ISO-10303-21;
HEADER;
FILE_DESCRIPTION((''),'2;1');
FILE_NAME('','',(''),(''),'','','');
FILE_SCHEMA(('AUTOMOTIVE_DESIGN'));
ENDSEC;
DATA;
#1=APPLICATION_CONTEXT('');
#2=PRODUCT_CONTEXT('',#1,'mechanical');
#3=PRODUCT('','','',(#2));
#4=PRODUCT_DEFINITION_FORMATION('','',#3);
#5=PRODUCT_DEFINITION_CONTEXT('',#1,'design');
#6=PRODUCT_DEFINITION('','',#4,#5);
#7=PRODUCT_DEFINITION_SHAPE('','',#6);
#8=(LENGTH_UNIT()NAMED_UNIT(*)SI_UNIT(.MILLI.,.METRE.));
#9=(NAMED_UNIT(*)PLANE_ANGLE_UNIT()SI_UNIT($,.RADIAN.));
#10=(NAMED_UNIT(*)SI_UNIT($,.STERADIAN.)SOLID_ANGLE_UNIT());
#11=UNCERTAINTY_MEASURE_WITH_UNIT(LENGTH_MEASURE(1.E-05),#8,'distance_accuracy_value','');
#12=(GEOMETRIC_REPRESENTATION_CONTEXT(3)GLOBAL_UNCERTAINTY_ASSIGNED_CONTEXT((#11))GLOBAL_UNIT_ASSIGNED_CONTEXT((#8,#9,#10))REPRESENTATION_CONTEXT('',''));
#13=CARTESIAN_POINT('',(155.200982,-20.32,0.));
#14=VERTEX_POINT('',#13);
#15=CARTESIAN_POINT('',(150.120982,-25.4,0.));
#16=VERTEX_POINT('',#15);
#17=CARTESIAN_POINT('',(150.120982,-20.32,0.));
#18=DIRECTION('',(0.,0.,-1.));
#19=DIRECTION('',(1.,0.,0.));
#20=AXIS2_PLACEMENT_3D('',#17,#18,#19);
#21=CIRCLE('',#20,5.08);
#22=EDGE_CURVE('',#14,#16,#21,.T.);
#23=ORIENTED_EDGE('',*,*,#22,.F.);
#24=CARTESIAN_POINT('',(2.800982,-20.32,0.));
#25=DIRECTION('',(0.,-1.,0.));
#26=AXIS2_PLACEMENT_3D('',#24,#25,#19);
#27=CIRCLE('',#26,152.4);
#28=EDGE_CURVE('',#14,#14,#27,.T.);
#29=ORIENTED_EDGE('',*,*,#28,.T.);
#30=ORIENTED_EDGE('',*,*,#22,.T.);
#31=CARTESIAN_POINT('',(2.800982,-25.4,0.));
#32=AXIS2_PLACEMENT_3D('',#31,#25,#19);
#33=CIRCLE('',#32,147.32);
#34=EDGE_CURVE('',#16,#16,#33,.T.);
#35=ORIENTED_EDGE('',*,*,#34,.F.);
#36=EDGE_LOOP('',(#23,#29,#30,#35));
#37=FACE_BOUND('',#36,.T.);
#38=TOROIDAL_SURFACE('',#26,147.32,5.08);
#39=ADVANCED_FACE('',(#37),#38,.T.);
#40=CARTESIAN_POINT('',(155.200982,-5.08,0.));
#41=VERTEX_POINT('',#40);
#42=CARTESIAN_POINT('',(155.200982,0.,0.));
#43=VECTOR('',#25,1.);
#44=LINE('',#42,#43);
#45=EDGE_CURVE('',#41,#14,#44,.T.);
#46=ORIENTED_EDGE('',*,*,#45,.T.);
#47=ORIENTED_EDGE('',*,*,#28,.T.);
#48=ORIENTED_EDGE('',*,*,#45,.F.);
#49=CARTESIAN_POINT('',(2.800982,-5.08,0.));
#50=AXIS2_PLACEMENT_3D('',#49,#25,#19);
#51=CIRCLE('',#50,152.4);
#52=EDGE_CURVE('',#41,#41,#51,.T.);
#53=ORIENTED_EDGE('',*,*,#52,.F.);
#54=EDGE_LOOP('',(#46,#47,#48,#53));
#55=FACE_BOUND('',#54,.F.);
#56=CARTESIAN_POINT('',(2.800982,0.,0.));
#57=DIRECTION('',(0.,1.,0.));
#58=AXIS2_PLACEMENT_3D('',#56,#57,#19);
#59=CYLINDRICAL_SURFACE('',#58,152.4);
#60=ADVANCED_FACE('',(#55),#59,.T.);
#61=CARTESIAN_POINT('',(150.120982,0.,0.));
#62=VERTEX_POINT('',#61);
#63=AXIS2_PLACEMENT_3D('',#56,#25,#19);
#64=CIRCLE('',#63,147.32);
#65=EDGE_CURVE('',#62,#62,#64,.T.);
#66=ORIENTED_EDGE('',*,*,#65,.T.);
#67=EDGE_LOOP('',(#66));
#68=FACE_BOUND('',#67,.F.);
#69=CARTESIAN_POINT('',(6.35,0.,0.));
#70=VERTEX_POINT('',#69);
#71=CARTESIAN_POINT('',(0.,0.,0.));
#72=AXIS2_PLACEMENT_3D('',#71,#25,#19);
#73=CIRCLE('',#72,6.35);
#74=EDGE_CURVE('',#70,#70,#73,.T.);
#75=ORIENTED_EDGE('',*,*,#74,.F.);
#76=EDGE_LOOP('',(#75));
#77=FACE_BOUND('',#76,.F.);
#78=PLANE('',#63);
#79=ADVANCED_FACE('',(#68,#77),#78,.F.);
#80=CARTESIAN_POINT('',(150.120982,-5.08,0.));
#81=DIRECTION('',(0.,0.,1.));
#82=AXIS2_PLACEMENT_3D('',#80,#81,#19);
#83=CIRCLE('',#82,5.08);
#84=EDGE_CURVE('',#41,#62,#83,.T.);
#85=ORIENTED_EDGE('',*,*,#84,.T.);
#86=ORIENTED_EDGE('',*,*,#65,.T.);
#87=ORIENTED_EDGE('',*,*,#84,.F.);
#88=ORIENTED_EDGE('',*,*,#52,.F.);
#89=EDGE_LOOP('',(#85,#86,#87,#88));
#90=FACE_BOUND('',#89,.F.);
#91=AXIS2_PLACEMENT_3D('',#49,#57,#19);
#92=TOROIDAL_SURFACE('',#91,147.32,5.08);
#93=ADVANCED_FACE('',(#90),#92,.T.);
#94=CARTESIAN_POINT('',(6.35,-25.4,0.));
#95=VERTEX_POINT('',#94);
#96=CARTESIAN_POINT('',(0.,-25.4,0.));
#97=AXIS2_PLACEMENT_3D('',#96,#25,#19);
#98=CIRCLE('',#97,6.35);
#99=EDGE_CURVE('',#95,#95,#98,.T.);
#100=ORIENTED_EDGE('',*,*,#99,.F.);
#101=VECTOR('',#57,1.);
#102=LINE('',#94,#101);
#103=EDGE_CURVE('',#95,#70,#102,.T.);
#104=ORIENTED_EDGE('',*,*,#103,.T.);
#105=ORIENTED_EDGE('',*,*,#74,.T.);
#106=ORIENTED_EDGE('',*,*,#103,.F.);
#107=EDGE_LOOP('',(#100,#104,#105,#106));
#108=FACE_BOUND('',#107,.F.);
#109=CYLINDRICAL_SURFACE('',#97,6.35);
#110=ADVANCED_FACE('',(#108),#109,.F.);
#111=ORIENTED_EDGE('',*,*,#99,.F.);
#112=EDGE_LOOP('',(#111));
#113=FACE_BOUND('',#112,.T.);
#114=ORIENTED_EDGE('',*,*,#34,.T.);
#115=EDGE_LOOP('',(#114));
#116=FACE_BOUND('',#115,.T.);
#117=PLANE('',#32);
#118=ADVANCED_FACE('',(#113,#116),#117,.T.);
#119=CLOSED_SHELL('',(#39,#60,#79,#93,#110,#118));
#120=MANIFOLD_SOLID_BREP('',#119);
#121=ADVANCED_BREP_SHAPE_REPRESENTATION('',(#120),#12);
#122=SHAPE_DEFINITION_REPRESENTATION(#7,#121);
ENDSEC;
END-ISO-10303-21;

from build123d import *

# Parameters (mm, degrees)
F0_R     = 152.4
F1_DEPTH = 25.4
F2_R     = 5.08
F3_R     = 6.35
F4_DEPTH = 25.4


with BuildPart() as f1:
    # F0 (on Front) → F1 (new body)
    with BuildSketch(Plane.XZ):
        with Locations((2.800982, 0)):
            Circle(F0_R)
    extrude(amount=F1_DEPTH)

    # F2
    f2_edges = [f1.edges().sort_by_distance(p)[0] for p in [
        (-149.599018, -25.4, 0),
        (-149.599018, 0, 0),
    ]]
    fillet(f2_edges, radius=F2_R)

    # F3 (on face) → F4 (cut)
    with BuildSketch(Plane.XZ.offset(25.4)):
        Circle(F3_R)
    extrude(amount=-F4_DEPTH, mode=Mode.SUBTRACT)


solid = f1.part
